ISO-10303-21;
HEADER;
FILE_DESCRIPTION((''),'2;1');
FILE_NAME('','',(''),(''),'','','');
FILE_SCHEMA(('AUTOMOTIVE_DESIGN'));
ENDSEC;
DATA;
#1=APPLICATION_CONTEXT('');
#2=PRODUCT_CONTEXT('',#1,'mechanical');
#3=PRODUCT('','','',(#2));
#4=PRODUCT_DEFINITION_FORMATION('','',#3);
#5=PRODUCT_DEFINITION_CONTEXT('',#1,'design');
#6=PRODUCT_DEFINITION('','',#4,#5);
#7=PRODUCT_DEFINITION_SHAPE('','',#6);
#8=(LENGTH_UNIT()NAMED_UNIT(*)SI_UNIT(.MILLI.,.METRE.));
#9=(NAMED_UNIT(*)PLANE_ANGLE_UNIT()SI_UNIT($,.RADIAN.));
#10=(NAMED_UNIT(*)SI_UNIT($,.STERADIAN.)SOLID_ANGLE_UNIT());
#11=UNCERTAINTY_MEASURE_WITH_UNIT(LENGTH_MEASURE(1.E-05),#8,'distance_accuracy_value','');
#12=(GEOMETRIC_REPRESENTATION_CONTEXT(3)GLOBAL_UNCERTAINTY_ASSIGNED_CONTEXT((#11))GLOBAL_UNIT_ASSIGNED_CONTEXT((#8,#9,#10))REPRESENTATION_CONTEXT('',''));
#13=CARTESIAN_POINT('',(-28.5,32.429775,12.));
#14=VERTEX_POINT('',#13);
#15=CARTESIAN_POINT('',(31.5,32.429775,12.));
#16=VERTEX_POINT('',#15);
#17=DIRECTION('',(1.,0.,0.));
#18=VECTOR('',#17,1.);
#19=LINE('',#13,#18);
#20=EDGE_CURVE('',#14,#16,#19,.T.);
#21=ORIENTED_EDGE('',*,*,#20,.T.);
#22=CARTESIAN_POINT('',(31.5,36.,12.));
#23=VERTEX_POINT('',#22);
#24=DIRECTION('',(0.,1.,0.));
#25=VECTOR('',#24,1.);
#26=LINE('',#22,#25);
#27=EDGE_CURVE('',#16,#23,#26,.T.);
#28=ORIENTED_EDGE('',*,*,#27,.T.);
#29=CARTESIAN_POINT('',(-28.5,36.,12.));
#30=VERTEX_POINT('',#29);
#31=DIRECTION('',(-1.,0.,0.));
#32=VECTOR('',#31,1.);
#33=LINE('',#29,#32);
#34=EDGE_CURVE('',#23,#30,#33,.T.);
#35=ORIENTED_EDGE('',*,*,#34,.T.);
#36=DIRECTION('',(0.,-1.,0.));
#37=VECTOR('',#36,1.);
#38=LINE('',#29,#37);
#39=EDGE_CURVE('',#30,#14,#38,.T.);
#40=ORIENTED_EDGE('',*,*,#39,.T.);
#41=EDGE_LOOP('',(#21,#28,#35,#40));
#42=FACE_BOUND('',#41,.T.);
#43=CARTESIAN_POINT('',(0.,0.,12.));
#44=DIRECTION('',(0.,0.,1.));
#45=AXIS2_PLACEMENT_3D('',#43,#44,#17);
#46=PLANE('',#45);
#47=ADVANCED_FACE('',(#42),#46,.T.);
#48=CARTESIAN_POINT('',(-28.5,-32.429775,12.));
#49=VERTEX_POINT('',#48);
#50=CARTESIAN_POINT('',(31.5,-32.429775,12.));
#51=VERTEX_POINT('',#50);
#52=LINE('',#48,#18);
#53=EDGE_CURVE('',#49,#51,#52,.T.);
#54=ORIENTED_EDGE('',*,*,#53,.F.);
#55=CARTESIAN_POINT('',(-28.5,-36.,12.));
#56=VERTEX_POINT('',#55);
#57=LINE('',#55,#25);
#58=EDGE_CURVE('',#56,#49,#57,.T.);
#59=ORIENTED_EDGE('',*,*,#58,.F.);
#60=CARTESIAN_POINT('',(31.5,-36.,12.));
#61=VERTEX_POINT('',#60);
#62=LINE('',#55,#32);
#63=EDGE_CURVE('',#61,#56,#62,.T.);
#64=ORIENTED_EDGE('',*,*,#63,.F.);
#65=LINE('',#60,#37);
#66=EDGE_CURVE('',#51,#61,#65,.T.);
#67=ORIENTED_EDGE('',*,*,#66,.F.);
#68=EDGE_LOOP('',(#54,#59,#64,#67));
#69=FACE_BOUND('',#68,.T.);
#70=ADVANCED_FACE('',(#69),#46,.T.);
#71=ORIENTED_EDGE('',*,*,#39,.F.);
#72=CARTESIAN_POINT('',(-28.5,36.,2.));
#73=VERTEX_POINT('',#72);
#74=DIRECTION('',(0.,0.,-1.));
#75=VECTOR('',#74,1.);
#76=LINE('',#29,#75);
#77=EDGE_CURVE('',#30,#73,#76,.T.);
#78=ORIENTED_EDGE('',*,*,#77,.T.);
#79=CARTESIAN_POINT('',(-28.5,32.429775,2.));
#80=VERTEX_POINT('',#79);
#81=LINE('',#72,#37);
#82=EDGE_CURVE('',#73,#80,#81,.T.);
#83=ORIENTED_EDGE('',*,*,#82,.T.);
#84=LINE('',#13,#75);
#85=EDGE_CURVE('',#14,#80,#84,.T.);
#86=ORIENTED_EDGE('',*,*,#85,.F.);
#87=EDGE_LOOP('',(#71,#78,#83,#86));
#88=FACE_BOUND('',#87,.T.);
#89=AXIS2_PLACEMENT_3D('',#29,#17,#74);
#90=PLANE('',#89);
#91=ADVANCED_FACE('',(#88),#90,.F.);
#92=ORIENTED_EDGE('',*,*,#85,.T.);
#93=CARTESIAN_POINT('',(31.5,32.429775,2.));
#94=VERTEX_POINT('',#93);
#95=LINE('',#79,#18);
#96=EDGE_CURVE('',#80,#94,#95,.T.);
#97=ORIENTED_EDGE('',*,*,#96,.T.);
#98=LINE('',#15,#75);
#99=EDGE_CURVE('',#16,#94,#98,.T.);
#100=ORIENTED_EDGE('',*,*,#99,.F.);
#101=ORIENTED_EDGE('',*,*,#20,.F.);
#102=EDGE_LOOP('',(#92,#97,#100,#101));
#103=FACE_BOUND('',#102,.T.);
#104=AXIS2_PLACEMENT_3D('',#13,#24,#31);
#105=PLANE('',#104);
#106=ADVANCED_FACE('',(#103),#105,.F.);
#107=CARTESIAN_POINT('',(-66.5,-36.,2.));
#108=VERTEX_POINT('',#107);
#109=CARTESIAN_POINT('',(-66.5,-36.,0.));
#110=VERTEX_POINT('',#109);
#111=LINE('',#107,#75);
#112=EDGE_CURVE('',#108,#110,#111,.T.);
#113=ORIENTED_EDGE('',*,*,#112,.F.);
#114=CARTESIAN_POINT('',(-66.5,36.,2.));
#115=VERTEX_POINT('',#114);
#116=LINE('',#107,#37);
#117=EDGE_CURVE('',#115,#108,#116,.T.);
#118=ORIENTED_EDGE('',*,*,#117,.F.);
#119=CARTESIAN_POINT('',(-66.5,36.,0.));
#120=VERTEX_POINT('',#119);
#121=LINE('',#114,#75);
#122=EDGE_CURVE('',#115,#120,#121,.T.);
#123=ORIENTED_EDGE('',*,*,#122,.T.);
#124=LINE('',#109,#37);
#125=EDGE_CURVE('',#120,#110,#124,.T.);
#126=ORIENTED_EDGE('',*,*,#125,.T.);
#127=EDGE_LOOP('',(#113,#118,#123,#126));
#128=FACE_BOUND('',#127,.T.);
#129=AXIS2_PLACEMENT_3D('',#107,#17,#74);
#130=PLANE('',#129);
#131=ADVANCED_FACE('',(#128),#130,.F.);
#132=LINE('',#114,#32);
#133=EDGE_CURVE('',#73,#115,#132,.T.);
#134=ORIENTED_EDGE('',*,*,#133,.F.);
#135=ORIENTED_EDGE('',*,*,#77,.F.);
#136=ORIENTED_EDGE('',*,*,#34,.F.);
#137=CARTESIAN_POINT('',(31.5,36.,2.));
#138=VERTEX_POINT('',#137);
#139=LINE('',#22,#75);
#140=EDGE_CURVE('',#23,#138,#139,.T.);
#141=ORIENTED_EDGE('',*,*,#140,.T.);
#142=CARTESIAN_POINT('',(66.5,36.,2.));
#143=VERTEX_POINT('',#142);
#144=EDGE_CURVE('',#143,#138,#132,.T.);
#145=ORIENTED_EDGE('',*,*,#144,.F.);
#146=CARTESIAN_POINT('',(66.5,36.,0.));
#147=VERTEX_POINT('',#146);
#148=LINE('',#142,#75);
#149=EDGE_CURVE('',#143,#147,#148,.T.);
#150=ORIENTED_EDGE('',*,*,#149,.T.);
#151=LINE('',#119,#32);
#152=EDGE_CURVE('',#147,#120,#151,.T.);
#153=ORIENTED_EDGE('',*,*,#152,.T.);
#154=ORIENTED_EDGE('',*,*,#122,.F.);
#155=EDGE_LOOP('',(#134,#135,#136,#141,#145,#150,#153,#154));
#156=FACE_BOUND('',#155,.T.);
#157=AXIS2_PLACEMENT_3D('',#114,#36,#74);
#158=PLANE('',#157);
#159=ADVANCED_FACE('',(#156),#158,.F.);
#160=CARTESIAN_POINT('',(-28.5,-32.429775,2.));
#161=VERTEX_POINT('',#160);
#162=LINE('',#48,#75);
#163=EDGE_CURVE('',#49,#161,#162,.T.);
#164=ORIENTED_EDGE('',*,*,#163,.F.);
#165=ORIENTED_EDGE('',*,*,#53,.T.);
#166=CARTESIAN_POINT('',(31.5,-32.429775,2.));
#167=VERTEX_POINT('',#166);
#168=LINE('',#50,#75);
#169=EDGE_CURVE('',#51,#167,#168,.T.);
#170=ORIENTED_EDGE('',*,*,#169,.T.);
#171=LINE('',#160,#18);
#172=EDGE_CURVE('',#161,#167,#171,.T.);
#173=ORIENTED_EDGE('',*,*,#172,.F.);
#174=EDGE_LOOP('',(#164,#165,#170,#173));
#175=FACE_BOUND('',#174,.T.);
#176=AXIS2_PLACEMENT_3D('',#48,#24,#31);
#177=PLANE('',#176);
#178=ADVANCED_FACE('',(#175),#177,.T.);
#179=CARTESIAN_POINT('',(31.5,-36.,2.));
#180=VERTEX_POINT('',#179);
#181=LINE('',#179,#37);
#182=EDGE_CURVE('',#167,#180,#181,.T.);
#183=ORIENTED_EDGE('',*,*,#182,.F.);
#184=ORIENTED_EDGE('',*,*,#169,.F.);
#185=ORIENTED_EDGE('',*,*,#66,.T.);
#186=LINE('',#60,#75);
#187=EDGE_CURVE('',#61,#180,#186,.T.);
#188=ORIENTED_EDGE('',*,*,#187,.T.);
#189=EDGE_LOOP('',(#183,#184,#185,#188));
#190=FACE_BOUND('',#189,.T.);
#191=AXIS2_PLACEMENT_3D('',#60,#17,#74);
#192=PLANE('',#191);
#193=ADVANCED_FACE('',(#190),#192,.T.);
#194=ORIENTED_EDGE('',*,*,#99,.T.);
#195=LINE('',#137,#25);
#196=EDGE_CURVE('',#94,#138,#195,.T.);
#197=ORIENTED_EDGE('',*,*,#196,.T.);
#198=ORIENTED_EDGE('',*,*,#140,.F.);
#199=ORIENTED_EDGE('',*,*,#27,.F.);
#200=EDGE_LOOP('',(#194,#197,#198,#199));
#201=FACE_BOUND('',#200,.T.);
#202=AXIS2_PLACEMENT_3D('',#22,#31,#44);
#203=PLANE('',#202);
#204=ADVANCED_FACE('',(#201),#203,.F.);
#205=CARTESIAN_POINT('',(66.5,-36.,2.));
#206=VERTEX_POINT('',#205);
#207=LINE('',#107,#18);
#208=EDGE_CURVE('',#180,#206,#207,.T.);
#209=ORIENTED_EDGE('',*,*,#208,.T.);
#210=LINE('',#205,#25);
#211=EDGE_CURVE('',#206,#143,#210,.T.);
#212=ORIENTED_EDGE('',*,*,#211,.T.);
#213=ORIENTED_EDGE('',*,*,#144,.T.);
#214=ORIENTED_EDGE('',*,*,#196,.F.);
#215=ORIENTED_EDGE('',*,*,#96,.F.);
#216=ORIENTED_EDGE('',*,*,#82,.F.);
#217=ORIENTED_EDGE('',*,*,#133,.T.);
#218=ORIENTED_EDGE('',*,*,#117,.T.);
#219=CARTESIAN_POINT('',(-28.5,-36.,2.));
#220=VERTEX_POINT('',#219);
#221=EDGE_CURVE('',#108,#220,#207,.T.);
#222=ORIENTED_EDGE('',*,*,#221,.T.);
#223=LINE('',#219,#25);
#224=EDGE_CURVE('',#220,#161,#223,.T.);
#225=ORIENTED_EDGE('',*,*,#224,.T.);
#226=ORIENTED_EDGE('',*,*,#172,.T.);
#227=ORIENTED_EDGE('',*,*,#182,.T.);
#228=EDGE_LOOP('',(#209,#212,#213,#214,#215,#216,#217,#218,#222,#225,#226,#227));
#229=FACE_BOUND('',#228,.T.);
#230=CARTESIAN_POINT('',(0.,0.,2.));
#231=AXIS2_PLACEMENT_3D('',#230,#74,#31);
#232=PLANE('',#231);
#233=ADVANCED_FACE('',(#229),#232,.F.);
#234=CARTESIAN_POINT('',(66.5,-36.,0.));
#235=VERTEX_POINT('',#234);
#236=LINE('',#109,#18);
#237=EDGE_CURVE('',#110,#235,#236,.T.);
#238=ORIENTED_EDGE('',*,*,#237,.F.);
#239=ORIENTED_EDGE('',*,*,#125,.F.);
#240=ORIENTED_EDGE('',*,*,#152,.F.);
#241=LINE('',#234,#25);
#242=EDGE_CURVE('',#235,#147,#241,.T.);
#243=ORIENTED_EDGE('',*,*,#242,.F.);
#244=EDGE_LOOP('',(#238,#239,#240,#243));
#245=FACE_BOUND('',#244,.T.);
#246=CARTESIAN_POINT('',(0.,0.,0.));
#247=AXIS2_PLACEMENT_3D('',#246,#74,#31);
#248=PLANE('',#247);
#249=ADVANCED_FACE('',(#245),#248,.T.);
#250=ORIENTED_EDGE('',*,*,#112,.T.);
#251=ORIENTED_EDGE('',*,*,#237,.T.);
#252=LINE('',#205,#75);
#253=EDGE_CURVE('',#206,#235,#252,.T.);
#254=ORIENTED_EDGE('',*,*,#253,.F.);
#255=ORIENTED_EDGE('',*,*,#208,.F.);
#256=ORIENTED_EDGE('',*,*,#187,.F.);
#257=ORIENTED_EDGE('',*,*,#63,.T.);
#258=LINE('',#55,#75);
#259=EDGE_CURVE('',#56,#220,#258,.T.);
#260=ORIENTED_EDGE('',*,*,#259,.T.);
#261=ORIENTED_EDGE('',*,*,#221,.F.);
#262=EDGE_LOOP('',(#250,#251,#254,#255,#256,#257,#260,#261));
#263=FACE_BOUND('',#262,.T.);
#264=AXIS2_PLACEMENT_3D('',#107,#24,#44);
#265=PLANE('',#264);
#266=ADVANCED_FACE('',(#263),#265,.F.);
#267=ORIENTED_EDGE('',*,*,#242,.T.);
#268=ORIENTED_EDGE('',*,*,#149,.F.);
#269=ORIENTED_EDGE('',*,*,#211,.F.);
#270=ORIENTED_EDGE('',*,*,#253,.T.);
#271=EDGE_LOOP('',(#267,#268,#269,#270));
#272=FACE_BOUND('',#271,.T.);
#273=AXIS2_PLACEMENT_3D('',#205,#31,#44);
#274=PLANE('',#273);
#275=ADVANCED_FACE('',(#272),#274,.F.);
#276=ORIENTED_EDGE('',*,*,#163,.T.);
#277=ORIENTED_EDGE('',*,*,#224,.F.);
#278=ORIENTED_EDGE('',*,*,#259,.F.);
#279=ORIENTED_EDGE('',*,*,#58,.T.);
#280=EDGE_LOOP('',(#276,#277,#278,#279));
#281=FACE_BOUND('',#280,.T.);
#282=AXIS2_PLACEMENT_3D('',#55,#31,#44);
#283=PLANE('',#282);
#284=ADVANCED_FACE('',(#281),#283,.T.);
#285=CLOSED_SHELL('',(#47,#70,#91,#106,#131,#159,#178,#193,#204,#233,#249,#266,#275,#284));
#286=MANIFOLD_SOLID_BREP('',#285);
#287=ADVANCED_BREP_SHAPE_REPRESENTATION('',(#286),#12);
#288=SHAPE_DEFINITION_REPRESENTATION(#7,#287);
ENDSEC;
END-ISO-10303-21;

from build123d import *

# Parameters (mm, degrees)
SKETCH1_W           = 133
SKETCH1_H           = 72
BOSS_EXTRUDE1_DEPTH = 2
SKETCH2_W           = 60
SKETCH2_H           = 3.570225369
BOSS_EXTRUDE2_DEPTH = 10


with BuildPart() as part:
    # Sketch1 → Boss-Extrude1 (new body)
    with BuildSketch(Plane.XY):
        Rectangle(SKETCH1_W, SKETCH1_H)
    extrude(amount=BOSS_EXTRUDE1_DEPTH)

    # Sketch2 → Boss-Extrude2 (add)
    with BuildSketch(Plane.XY.offset(2)):
        with Locations((1.5, 34.214887316)):
            Rectangle(SKETCH2_W, SKETCH2_H)
    boss_extrude2 = extrude(amount=BOSS_EXTRUDE2_DEPTH)

    # Mirror1: Boss-Extrude2 across plane
    add(boss_extrude2.mirror(Plane.ZX))


solid = part.part
